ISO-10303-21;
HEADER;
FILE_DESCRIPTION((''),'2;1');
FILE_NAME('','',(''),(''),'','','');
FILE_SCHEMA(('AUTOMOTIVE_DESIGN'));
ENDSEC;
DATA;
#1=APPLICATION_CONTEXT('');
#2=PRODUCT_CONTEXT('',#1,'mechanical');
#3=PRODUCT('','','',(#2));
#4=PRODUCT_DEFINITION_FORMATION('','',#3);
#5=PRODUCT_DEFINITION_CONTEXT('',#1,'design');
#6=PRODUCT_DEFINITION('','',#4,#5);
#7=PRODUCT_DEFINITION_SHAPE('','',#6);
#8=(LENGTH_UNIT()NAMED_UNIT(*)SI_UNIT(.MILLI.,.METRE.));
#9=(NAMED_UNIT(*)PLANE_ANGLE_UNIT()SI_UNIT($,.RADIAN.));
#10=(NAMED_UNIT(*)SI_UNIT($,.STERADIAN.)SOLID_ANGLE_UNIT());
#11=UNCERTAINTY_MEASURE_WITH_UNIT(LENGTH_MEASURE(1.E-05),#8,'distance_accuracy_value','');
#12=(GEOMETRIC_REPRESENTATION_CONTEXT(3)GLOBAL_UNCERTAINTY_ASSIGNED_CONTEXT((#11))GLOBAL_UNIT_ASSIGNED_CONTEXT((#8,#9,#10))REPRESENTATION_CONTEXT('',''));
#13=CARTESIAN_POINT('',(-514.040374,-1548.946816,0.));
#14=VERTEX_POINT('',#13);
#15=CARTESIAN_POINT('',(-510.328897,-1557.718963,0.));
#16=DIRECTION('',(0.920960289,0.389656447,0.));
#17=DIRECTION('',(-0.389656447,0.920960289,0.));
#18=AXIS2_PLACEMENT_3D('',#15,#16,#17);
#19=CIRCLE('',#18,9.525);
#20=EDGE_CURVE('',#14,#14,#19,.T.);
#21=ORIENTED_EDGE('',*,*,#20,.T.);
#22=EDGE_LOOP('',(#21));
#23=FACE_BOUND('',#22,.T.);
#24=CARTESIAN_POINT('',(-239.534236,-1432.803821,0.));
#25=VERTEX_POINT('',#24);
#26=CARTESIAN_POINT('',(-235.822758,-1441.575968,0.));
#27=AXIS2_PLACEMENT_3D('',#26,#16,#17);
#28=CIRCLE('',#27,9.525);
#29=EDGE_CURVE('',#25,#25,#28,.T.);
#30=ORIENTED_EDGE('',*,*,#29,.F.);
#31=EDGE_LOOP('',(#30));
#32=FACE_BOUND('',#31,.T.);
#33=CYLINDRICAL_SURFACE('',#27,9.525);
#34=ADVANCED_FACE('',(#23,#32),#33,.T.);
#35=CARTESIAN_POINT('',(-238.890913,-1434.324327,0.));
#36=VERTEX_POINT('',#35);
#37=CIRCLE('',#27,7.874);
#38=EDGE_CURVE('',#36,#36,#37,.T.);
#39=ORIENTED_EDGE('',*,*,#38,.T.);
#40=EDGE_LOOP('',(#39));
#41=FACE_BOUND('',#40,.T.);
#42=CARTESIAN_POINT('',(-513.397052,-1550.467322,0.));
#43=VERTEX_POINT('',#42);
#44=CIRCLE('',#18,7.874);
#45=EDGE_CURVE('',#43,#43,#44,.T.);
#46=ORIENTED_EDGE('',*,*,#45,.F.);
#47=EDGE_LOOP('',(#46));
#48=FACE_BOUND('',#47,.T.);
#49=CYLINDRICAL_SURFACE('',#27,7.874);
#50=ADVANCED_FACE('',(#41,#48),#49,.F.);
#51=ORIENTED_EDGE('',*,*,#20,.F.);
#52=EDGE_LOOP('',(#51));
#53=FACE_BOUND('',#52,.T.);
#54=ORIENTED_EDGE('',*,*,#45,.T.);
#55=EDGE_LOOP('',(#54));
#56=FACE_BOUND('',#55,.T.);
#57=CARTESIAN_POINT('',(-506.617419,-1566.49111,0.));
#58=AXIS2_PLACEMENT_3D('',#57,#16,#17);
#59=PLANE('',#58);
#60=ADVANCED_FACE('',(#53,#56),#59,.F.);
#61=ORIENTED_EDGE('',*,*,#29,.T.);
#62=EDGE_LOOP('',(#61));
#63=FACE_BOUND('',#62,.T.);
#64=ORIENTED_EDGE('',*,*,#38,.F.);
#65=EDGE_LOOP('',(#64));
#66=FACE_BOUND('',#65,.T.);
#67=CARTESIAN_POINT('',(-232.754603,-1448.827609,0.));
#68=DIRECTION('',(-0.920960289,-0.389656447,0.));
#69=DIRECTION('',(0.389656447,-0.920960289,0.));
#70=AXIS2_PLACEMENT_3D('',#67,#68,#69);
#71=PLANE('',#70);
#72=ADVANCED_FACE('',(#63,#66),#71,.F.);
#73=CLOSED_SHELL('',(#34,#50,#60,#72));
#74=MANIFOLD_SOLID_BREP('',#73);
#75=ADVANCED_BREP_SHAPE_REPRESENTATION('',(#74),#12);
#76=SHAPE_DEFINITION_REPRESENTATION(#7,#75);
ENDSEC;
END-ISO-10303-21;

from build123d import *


with BuildPart() as part:
    # Sketch1 → Revolve1 (revolve)
    with BuildSketch(Plane.XY):
        Polygon((-232.754603352, -1448.827609196), (-232.111280558, -1450.348114633), (-506.617419002, -1566.491109936), (-507.260741796, -1564.970604499), align=None)
    revolve(axis=Axis((-235.822758213, -1441.575967882, 0), (-0.920960289, -0.389656447, 0)))


solid = part.part
